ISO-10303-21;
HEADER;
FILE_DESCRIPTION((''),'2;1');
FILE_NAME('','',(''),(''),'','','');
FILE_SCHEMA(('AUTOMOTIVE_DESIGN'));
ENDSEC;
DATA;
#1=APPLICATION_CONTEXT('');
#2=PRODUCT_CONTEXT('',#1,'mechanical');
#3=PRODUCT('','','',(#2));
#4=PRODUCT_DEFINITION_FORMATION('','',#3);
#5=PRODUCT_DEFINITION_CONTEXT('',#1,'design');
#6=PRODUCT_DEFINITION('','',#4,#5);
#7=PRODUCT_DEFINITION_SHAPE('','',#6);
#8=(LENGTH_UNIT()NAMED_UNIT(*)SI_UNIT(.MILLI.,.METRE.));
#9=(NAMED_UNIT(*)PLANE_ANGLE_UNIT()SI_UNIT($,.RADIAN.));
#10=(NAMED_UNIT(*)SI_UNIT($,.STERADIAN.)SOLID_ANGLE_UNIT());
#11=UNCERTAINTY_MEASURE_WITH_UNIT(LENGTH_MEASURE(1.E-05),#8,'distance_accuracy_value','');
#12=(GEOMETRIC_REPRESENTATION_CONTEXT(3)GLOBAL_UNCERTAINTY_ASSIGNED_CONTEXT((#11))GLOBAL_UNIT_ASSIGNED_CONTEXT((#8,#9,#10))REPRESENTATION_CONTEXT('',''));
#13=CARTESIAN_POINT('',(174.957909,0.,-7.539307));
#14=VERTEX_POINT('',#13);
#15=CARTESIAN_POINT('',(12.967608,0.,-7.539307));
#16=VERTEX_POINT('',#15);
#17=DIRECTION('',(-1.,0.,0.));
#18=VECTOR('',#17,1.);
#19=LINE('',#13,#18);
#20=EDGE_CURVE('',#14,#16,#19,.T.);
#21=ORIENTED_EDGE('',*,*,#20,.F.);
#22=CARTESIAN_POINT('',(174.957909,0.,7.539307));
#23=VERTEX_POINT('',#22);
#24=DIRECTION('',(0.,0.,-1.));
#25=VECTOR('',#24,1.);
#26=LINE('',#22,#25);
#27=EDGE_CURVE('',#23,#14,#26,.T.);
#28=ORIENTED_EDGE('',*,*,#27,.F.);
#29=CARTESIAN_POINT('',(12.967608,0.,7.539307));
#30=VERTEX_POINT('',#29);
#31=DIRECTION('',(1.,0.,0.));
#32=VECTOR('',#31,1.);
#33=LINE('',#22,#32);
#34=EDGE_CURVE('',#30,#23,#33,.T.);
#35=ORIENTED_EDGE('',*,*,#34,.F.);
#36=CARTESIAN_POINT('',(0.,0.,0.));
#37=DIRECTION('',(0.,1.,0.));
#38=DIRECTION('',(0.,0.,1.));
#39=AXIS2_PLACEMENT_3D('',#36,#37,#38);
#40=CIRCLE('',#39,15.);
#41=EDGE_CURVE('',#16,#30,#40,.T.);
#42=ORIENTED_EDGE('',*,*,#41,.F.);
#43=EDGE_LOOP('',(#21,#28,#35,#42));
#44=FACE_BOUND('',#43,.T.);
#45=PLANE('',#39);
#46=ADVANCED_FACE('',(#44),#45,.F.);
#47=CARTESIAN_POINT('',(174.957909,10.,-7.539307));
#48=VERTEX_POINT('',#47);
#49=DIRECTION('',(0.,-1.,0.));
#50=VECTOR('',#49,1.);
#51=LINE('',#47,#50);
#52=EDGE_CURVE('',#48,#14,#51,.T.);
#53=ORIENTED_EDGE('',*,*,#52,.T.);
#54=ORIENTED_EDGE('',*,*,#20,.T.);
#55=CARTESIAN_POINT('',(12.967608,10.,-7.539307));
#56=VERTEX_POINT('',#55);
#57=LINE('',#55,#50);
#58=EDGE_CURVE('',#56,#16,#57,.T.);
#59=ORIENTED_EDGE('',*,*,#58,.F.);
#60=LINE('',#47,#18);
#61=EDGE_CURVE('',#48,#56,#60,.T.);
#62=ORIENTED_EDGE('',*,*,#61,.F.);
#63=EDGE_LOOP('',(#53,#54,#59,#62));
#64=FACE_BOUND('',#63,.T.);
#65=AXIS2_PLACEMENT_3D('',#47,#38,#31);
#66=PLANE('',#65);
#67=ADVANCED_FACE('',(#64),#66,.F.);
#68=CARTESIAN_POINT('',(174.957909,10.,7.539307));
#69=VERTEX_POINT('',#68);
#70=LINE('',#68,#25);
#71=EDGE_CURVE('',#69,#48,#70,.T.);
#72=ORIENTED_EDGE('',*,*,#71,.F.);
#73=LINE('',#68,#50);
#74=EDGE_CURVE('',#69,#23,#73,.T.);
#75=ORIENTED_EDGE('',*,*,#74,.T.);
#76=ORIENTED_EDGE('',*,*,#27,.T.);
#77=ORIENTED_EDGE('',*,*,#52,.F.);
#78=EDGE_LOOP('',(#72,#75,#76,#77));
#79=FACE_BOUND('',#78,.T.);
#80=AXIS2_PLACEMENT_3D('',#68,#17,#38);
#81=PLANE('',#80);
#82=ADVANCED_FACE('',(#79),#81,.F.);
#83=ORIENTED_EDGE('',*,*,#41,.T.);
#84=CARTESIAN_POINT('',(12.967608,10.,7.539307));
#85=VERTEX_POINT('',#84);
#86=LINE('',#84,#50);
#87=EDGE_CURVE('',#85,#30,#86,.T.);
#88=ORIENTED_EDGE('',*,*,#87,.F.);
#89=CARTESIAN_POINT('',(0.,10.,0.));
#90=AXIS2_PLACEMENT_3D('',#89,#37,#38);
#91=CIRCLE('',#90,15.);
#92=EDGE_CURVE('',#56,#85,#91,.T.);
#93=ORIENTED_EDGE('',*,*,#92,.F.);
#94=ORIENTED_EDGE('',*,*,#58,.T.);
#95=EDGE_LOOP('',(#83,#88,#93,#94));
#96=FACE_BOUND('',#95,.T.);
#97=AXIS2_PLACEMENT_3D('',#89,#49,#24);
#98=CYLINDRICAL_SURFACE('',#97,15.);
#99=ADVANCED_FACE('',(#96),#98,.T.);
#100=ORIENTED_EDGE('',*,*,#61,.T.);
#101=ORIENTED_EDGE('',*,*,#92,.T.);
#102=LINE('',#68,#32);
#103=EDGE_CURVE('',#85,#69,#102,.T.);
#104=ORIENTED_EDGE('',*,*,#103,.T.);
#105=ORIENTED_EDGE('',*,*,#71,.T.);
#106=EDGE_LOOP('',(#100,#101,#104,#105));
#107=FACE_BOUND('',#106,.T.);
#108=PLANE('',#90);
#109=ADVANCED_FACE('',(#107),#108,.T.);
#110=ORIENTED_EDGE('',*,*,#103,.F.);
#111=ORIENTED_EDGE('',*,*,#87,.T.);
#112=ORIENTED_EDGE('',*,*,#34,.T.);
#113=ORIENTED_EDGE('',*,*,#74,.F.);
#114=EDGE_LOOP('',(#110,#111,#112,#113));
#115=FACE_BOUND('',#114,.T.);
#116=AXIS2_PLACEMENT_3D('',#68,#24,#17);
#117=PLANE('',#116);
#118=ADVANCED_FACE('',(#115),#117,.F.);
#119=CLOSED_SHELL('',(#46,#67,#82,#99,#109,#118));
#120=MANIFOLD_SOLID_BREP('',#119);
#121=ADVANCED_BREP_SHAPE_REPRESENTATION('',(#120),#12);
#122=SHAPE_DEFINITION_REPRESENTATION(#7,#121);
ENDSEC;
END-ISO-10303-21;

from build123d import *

# Parameters (mm, degrees)
BOSS_EXTRUDE1_DEPTH = 10


with BuildPart() as part:
    # Sketch1 → Boss-Extrude1 (new body)
    with BuildSketch(Plane(origin=(0, 0, 0), x_dir=(1, 0, 0), z_dir=(0, 1, 0))):
        with BuildLine():
            Line((174.95790936, -7.539306861), (12.9676078, -7.539306861))
            ThreePointArc((12.9676078, -7.539306861), (-15, 0), (12.9676078, 7.539306861))
            Line((12.9676078, 7.539306861), (174.95790936, 7.539306861))
            Line((174.95790936, 7.539306861), (174.95790936, -7.539306861))
        make_face()
    extrude(amount=BOSS_EXTRUDE1_DEPTH)


solid = part.part
